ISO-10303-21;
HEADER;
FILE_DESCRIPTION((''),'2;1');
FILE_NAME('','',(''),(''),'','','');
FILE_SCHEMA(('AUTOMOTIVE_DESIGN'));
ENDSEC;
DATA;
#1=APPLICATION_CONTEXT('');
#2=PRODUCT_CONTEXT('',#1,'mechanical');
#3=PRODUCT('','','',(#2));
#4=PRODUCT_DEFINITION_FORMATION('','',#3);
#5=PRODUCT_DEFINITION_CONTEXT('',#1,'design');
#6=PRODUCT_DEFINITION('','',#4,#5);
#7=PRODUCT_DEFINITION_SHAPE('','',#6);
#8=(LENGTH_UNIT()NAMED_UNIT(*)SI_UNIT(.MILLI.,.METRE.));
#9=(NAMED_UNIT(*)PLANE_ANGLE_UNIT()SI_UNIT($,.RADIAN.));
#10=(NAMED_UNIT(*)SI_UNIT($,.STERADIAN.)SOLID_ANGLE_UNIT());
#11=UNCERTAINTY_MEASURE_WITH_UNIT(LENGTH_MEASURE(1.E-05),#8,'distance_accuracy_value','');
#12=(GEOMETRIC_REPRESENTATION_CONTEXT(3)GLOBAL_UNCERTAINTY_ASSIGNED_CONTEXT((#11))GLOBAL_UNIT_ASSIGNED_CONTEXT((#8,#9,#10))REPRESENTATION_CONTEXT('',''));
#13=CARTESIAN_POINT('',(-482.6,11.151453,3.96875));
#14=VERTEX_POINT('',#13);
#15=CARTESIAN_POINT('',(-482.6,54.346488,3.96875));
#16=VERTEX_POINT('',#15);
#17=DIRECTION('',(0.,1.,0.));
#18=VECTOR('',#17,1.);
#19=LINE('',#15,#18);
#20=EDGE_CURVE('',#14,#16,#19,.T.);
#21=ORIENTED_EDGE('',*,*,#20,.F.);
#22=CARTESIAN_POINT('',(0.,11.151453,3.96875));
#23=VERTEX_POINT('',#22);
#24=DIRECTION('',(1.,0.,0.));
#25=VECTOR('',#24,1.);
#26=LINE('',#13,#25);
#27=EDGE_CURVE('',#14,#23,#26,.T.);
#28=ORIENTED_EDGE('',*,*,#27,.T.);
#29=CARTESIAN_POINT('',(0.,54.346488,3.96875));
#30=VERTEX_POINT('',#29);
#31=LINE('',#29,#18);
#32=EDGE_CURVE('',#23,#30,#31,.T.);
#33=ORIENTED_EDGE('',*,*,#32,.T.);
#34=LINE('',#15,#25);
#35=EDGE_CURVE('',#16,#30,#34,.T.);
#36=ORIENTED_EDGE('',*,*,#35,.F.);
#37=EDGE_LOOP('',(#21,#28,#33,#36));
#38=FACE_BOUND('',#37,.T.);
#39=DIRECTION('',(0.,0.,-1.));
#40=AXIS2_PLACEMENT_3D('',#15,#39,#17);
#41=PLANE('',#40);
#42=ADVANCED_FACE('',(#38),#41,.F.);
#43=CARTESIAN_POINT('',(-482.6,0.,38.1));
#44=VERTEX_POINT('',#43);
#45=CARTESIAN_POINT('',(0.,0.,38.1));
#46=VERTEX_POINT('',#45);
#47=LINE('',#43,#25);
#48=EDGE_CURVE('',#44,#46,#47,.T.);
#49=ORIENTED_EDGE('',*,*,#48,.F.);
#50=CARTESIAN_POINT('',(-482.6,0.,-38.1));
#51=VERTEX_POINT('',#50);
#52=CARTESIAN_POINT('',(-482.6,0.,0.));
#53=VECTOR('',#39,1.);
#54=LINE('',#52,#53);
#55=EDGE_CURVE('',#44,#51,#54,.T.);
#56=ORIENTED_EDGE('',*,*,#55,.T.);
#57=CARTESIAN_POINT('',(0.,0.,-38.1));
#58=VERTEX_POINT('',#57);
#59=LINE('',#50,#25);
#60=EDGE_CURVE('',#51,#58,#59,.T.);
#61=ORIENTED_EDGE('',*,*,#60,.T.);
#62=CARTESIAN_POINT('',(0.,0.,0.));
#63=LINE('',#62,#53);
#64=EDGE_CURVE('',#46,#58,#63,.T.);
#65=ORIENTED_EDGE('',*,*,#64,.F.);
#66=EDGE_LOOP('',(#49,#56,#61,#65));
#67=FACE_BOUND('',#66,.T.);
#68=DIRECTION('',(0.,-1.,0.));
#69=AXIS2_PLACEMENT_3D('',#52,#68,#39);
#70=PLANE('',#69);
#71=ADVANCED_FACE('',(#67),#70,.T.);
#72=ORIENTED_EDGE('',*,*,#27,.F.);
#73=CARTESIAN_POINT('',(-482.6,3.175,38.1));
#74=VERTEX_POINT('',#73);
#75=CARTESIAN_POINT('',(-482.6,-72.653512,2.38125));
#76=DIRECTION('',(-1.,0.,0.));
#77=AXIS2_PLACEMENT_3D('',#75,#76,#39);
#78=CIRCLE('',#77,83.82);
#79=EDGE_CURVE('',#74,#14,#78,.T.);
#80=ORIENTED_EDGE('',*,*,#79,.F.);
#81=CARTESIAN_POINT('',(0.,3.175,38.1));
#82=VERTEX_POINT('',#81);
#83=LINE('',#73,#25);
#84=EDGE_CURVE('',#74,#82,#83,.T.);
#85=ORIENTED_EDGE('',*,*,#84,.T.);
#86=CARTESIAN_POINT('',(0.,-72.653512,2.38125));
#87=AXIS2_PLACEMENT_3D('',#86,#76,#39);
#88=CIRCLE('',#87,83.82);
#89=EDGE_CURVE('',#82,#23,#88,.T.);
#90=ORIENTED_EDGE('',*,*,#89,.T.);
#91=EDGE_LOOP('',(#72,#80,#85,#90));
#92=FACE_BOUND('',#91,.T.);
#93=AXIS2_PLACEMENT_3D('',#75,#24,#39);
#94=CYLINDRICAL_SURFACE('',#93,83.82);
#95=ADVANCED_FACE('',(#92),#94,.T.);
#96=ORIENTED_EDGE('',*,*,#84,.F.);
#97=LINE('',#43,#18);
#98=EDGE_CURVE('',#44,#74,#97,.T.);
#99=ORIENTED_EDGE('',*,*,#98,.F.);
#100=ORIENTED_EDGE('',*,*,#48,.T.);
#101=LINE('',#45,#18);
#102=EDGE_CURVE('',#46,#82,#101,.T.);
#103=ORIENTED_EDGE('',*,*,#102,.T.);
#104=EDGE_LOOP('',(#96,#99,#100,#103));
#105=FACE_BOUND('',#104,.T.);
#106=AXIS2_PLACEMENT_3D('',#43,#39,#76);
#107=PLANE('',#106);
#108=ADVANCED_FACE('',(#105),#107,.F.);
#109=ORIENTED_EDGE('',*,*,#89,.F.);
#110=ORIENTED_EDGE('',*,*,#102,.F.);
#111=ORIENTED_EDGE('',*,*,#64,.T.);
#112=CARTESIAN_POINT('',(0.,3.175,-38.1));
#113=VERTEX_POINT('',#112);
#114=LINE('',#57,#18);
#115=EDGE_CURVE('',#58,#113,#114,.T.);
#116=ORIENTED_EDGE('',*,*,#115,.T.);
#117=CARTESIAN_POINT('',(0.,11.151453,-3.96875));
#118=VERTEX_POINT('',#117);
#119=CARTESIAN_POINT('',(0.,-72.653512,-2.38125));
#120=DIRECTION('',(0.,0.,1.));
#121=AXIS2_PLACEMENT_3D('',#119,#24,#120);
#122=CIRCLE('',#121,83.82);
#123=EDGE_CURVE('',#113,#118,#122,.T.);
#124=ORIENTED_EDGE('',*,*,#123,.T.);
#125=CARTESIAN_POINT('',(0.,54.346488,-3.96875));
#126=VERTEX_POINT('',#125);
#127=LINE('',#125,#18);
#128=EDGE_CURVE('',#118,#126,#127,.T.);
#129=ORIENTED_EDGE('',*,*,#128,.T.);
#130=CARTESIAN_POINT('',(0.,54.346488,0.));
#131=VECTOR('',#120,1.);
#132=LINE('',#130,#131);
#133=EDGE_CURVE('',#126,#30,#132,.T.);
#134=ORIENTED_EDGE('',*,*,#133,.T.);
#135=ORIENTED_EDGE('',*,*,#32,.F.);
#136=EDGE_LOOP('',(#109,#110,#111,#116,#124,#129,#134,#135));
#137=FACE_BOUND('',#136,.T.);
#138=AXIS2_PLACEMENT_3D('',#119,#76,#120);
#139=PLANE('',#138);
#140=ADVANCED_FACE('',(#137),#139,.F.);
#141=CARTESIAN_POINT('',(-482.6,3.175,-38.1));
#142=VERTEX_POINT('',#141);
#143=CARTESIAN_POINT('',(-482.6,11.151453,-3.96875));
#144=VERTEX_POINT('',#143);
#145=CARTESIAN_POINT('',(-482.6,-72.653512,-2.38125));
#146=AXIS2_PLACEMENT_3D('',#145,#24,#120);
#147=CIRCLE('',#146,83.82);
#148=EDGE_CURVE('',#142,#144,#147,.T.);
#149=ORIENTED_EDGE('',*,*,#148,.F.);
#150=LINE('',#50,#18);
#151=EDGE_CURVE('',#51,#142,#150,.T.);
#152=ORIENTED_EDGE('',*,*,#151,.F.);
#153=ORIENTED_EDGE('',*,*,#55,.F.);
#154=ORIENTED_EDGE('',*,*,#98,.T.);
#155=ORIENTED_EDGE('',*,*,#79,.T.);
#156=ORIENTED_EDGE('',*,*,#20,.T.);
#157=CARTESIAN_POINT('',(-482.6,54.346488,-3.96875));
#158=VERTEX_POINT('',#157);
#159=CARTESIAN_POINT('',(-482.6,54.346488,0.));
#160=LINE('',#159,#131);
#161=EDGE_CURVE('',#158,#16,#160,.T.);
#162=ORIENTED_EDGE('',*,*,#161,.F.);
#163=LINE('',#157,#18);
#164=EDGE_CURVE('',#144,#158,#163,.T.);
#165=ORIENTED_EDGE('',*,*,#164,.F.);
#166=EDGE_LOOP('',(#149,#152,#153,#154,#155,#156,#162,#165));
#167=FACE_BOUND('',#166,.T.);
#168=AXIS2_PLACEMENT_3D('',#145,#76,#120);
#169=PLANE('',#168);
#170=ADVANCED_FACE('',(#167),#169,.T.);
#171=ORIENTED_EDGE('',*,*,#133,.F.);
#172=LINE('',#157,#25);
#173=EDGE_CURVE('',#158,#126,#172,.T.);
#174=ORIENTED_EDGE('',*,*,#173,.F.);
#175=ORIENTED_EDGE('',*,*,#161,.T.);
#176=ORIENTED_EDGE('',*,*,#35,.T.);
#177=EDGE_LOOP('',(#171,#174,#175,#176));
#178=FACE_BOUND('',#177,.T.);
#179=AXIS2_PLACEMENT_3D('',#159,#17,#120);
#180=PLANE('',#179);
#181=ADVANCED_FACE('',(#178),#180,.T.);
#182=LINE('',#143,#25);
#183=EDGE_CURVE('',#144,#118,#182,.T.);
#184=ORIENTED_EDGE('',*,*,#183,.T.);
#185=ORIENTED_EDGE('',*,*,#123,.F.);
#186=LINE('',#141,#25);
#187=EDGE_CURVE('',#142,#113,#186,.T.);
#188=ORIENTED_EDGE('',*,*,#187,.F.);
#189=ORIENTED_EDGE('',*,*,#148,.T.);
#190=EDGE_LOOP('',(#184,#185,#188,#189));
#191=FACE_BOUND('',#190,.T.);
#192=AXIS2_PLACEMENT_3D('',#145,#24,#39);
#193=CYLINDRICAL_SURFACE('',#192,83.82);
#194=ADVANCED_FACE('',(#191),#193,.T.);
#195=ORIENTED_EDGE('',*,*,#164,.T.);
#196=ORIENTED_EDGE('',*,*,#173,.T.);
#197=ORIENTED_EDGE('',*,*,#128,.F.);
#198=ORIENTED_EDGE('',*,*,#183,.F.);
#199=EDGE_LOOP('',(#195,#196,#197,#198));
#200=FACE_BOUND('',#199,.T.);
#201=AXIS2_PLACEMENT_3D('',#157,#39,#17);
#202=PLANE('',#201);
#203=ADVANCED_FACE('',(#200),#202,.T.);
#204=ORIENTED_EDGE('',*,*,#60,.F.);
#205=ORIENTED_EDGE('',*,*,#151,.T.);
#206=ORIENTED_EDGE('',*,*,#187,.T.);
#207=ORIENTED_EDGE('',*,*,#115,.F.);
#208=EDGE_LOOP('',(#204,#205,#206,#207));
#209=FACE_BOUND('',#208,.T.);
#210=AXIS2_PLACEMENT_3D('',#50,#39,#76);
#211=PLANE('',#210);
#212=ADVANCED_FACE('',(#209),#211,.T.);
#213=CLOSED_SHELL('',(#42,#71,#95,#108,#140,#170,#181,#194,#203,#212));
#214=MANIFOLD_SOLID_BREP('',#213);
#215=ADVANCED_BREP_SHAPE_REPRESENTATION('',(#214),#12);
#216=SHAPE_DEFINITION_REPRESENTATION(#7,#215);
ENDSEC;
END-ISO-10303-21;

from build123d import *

# Parameters (mm, degrees)
BOSS_EXTRUDE2_DEPTH = 482.6


with BuildPart() as part:
    # Sketch2 → Boss-Extrude2 (new body)
    with BuildSketch(Plane(origin=(0, 0, 0), x_dir=(0, 0, -1), z_dir=(1, 0, 0))):
        with BuildLine():
            Line((0, 0), (0, 54.346487563))
            Line((0, 54.346487563), (3.96875, 54.346487563))
            Line((3.96875, 54.346487563), (3.96875, 11.151453071))
            ThreePointArc((3.96875, 11.151453071), (21.455972099, 8.967240909), (38.1, 3.175))
            Line((38.1, 3.175), (38.1, 0))
            Line((38.1, 0), (0, 0))
        make_face()
    boss_extrude2 = extrude(amount=-BOSS_EXTRUDE2_DEPTH)

    # Mirror1: Boss-Extrude2 across plane
    add(boss_extrude2.mirror(Plane(origin=(-482.6, 0, 0), x_dir=(1, 0, 0), z_dir=(0, 0, 1))))


solid = part.part
